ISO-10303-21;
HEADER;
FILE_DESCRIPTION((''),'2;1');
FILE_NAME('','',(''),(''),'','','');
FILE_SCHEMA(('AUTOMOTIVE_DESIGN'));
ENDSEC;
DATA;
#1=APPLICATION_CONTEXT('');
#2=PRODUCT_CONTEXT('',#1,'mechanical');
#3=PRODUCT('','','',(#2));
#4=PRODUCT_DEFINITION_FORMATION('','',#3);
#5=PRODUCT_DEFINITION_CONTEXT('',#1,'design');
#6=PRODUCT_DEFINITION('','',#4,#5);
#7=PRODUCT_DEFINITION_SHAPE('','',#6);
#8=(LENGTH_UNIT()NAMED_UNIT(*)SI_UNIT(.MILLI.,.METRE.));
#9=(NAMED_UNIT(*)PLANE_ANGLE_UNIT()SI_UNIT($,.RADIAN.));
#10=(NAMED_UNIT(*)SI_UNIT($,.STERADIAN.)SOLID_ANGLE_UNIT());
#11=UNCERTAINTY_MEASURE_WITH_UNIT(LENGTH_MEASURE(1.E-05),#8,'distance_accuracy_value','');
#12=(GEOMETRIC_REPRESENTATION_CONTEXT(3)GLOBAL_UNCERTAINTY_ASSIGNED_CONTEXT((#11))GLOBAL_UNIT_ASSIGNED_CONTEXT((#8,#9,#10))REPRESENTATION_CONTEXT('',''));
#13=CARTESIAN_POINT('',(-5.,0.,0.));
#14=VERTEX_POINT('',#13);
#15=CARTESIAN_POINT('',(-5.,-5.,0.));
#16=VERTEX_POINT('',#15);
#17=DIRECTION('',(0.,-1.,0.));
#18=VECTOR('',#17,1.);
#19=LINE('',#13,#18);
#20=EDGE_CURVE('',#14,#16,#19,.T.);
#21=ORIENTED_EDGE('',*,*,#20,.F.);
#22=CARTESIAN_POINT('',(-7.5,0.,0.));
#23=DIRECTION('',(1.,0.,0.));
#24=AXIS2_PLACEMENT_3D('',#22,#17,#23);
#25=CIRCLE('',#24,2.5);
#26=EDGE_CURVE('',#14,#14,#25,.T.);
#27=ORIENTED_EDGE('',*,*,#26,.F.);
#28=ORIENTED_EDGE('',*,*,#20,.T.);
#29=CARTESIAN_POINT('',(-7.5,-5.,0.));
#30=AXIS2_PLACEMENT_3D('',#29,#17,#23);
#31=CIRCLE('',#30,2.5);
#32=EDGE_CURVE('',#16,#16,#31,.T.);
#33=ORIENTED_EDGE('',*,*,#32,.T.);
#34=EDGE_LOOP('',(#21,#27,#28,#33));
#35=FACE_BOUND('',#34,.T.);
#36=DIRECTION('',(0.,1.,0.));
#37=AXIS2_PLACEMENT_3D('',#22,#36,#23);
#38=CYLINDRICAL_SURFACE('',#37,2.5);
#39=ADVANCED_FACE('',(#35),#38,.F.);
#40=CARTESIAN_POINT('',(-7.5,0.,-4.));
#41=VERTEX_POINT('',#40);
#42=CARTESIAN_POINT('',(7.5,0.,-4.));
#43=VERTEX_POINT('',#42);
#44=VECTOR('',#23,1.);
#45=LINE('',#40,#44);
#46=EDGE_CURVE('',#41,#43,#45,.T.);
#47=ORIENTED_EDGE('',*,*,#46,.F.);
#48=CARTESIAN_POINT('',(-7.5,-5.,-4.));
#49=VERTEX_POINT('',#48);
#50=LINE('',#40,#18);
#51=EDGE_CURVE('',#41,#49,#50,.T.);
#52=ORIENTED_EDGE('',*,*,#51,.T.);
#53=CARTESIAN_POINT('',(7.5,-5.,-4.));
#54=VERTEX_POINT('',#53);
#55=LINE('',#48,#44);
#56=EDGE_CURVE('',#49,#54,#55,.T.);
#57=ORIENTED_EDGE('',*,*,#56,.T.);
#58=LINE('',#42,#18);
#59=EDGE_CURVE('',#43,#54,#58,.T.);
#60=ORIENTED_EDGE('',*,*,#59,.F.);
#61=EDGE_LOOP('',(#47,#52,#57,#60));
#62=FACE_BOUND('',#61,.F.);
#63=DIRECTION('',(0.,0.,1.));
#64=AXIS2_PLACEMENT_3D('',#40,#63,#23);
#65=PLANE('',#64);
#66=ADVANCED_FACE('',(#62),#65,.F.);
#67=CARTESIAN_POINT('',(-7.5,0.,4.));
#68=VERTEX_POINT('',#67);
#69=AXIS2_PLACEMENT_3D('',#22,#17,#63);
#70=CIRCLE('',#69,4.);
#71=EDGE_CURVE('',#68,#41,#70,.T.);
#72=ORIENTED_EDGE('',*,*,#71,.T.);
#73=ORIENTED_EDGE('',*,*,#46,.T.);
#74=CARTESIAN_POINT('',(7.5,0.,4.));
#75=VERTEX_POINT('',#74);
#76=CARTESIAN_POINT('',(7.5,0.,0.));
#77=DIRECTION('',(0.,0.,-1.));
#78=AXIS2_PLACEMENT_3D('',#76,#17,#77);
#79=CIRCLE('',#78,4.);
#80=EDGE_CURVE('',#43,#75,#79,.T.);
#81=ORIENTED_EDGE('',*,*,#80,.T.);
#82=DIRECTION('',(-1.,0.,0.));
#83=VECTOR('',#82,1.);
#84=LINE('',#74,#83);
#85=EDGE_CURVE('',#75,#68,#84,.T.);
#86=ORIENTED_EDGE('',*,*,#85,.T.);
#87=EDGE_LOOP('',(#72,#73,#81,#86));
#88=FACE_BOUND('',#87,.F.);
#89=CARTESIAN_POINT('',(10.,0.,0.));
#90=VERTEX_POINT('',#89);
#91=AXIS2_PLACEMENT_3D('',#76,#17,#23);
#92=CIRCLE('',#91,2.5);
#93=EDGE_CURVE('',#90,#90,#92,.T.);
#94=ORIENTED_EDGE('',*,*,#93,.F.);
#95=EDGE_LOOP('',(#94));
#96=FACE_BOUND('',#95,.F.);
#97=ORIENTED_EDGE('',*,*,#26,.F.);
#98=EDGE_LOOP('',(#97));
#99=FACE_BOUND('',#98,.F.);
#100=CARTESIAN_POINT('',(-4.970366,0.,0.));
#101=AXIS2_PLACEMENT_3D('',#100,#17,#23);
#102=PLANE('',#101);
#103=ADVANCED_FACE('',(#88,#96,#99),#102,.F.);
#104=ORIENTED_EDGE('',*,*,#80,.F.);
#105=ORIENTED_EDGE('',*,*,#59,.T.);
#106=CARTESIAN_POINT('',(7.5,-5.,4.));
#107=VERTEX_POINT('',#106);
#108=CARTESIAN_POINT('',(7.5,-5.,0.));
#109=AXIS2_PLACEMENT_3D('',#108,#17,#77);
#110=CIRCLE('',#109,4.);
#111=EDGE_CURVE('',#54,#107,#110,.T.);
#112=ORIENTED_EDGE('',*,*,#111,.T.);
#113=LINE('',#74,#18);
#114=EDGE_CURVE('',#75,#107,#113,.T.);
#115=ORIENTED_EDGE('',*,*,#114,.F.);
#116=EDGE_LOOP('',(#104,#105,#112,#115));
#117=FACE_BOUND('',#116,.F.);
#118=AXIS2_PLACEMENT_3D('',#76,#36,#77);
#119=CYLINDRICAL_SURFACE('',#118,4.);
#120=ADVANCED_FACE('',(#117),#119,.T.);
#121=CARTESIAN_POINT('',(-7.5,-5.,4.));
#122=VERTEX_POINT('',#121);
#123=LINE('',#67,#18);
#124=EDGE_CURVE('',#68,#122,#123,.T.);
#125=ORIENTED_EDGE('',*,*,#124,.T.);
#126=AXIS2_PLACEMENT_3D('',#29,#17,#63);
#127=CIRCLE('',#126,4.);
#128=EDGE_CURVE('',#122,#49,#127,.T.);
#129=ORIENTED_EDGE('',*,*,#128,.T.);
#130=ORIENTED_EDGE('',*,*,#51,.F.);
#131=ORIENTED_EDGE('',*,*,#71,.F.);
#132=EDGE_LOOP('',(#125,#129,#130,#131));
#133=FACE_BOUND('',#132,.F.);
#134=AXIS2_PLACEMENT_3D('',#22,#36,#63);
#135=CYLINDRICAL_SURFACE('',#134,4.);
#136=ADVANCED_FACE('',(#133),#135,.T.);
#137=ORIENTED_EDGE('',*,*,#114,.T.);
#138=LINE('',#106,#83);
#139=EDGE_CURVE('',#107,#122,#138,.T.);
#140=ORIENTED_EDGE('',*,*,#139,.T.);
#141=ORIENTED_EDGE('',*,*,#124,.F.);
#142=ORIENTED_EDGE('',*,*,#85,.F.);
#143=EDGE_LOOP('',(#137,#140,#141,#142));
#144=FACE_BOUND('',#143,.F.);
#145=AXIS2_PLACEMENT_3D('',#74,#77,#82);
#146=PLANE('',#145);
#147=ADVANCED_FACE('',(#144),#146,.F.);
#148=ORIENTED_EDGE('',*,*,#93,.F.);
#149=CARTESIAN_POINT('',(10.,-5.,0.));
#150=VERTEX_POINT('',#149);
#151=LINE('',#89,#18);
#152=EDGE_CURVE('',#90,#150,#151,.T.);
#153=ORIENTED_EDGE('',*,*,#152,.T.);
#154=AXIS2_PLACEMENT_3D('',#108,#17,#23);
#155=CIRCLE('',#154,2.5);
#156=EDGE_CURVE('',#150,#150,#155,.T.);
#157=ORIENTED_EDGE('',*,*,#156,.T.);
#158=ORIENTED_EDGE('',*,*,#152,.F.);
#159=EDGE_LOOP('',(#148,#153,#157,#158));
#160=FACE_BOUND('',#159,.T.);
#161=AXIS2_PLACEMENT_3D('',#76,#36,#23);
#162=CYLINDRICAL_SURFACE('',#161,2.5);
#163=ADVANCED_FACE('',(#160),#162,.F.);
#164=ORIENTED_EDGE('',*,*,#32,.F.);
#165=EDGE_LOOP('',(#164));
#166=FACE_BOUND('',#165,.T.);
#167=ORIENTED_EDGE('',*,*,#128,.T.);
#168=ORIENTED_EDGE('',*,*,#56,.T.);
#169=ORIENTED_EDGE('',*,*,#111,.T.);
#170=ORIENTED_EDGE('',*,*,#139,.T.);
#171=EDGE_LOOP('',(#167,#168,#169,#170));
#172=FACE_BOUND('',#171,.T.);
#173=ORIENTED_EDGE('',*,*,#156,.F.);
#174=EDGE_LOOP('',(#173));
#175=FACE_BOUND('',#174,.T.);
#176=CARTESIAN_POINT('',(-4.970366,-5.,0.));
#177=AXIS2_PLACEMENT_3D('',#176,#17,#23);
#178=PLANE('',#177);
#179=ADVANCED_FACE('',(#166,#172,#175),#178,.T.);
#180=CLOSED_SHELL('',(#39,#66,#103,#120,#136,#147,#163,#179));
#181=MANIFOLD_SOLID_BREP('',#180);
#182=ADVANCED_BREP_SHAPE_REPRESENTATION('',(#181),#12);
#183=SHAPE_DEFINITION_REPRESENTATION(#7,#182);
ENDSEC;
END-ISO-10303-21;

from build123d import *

# Parameters (mm, degrees)
F0_R     = 2.5
F1_DEPTH = 5


with BuildPart() as f1:
    # F0 (on Front) → F1 (new body)
    with BuildSketch(Plane.XZ):
        with BuildLine():
            Line((0, 4), (-7.5, 4))
            ThreePointArc((-7.5, 4), (-11.5, 0), (-7.5, -4))
            Line((-7.5, -4), (0, -4))
            Line((0, -4), (0, 4))
        make_face()
        with Locations((-7.5, 0)):
            Circle(F0_R, mode=Mode.SUBTRACT)
        with BuildLine():
            Line((7.5, 4), (0, 4))
            Line((0, 4), (0, -4))
            Line((0, -4), (7.5, -4))
            ThreePointArc((7.5, -4), (11.5, 0), (7.5, 4))
        make_face()
        with Locations((7.5, 0)):
            Circle(F0_R, mode=Mode.SUBTRACT)
    extrude(amount=F1_DEPTH)


solid = f1.part
